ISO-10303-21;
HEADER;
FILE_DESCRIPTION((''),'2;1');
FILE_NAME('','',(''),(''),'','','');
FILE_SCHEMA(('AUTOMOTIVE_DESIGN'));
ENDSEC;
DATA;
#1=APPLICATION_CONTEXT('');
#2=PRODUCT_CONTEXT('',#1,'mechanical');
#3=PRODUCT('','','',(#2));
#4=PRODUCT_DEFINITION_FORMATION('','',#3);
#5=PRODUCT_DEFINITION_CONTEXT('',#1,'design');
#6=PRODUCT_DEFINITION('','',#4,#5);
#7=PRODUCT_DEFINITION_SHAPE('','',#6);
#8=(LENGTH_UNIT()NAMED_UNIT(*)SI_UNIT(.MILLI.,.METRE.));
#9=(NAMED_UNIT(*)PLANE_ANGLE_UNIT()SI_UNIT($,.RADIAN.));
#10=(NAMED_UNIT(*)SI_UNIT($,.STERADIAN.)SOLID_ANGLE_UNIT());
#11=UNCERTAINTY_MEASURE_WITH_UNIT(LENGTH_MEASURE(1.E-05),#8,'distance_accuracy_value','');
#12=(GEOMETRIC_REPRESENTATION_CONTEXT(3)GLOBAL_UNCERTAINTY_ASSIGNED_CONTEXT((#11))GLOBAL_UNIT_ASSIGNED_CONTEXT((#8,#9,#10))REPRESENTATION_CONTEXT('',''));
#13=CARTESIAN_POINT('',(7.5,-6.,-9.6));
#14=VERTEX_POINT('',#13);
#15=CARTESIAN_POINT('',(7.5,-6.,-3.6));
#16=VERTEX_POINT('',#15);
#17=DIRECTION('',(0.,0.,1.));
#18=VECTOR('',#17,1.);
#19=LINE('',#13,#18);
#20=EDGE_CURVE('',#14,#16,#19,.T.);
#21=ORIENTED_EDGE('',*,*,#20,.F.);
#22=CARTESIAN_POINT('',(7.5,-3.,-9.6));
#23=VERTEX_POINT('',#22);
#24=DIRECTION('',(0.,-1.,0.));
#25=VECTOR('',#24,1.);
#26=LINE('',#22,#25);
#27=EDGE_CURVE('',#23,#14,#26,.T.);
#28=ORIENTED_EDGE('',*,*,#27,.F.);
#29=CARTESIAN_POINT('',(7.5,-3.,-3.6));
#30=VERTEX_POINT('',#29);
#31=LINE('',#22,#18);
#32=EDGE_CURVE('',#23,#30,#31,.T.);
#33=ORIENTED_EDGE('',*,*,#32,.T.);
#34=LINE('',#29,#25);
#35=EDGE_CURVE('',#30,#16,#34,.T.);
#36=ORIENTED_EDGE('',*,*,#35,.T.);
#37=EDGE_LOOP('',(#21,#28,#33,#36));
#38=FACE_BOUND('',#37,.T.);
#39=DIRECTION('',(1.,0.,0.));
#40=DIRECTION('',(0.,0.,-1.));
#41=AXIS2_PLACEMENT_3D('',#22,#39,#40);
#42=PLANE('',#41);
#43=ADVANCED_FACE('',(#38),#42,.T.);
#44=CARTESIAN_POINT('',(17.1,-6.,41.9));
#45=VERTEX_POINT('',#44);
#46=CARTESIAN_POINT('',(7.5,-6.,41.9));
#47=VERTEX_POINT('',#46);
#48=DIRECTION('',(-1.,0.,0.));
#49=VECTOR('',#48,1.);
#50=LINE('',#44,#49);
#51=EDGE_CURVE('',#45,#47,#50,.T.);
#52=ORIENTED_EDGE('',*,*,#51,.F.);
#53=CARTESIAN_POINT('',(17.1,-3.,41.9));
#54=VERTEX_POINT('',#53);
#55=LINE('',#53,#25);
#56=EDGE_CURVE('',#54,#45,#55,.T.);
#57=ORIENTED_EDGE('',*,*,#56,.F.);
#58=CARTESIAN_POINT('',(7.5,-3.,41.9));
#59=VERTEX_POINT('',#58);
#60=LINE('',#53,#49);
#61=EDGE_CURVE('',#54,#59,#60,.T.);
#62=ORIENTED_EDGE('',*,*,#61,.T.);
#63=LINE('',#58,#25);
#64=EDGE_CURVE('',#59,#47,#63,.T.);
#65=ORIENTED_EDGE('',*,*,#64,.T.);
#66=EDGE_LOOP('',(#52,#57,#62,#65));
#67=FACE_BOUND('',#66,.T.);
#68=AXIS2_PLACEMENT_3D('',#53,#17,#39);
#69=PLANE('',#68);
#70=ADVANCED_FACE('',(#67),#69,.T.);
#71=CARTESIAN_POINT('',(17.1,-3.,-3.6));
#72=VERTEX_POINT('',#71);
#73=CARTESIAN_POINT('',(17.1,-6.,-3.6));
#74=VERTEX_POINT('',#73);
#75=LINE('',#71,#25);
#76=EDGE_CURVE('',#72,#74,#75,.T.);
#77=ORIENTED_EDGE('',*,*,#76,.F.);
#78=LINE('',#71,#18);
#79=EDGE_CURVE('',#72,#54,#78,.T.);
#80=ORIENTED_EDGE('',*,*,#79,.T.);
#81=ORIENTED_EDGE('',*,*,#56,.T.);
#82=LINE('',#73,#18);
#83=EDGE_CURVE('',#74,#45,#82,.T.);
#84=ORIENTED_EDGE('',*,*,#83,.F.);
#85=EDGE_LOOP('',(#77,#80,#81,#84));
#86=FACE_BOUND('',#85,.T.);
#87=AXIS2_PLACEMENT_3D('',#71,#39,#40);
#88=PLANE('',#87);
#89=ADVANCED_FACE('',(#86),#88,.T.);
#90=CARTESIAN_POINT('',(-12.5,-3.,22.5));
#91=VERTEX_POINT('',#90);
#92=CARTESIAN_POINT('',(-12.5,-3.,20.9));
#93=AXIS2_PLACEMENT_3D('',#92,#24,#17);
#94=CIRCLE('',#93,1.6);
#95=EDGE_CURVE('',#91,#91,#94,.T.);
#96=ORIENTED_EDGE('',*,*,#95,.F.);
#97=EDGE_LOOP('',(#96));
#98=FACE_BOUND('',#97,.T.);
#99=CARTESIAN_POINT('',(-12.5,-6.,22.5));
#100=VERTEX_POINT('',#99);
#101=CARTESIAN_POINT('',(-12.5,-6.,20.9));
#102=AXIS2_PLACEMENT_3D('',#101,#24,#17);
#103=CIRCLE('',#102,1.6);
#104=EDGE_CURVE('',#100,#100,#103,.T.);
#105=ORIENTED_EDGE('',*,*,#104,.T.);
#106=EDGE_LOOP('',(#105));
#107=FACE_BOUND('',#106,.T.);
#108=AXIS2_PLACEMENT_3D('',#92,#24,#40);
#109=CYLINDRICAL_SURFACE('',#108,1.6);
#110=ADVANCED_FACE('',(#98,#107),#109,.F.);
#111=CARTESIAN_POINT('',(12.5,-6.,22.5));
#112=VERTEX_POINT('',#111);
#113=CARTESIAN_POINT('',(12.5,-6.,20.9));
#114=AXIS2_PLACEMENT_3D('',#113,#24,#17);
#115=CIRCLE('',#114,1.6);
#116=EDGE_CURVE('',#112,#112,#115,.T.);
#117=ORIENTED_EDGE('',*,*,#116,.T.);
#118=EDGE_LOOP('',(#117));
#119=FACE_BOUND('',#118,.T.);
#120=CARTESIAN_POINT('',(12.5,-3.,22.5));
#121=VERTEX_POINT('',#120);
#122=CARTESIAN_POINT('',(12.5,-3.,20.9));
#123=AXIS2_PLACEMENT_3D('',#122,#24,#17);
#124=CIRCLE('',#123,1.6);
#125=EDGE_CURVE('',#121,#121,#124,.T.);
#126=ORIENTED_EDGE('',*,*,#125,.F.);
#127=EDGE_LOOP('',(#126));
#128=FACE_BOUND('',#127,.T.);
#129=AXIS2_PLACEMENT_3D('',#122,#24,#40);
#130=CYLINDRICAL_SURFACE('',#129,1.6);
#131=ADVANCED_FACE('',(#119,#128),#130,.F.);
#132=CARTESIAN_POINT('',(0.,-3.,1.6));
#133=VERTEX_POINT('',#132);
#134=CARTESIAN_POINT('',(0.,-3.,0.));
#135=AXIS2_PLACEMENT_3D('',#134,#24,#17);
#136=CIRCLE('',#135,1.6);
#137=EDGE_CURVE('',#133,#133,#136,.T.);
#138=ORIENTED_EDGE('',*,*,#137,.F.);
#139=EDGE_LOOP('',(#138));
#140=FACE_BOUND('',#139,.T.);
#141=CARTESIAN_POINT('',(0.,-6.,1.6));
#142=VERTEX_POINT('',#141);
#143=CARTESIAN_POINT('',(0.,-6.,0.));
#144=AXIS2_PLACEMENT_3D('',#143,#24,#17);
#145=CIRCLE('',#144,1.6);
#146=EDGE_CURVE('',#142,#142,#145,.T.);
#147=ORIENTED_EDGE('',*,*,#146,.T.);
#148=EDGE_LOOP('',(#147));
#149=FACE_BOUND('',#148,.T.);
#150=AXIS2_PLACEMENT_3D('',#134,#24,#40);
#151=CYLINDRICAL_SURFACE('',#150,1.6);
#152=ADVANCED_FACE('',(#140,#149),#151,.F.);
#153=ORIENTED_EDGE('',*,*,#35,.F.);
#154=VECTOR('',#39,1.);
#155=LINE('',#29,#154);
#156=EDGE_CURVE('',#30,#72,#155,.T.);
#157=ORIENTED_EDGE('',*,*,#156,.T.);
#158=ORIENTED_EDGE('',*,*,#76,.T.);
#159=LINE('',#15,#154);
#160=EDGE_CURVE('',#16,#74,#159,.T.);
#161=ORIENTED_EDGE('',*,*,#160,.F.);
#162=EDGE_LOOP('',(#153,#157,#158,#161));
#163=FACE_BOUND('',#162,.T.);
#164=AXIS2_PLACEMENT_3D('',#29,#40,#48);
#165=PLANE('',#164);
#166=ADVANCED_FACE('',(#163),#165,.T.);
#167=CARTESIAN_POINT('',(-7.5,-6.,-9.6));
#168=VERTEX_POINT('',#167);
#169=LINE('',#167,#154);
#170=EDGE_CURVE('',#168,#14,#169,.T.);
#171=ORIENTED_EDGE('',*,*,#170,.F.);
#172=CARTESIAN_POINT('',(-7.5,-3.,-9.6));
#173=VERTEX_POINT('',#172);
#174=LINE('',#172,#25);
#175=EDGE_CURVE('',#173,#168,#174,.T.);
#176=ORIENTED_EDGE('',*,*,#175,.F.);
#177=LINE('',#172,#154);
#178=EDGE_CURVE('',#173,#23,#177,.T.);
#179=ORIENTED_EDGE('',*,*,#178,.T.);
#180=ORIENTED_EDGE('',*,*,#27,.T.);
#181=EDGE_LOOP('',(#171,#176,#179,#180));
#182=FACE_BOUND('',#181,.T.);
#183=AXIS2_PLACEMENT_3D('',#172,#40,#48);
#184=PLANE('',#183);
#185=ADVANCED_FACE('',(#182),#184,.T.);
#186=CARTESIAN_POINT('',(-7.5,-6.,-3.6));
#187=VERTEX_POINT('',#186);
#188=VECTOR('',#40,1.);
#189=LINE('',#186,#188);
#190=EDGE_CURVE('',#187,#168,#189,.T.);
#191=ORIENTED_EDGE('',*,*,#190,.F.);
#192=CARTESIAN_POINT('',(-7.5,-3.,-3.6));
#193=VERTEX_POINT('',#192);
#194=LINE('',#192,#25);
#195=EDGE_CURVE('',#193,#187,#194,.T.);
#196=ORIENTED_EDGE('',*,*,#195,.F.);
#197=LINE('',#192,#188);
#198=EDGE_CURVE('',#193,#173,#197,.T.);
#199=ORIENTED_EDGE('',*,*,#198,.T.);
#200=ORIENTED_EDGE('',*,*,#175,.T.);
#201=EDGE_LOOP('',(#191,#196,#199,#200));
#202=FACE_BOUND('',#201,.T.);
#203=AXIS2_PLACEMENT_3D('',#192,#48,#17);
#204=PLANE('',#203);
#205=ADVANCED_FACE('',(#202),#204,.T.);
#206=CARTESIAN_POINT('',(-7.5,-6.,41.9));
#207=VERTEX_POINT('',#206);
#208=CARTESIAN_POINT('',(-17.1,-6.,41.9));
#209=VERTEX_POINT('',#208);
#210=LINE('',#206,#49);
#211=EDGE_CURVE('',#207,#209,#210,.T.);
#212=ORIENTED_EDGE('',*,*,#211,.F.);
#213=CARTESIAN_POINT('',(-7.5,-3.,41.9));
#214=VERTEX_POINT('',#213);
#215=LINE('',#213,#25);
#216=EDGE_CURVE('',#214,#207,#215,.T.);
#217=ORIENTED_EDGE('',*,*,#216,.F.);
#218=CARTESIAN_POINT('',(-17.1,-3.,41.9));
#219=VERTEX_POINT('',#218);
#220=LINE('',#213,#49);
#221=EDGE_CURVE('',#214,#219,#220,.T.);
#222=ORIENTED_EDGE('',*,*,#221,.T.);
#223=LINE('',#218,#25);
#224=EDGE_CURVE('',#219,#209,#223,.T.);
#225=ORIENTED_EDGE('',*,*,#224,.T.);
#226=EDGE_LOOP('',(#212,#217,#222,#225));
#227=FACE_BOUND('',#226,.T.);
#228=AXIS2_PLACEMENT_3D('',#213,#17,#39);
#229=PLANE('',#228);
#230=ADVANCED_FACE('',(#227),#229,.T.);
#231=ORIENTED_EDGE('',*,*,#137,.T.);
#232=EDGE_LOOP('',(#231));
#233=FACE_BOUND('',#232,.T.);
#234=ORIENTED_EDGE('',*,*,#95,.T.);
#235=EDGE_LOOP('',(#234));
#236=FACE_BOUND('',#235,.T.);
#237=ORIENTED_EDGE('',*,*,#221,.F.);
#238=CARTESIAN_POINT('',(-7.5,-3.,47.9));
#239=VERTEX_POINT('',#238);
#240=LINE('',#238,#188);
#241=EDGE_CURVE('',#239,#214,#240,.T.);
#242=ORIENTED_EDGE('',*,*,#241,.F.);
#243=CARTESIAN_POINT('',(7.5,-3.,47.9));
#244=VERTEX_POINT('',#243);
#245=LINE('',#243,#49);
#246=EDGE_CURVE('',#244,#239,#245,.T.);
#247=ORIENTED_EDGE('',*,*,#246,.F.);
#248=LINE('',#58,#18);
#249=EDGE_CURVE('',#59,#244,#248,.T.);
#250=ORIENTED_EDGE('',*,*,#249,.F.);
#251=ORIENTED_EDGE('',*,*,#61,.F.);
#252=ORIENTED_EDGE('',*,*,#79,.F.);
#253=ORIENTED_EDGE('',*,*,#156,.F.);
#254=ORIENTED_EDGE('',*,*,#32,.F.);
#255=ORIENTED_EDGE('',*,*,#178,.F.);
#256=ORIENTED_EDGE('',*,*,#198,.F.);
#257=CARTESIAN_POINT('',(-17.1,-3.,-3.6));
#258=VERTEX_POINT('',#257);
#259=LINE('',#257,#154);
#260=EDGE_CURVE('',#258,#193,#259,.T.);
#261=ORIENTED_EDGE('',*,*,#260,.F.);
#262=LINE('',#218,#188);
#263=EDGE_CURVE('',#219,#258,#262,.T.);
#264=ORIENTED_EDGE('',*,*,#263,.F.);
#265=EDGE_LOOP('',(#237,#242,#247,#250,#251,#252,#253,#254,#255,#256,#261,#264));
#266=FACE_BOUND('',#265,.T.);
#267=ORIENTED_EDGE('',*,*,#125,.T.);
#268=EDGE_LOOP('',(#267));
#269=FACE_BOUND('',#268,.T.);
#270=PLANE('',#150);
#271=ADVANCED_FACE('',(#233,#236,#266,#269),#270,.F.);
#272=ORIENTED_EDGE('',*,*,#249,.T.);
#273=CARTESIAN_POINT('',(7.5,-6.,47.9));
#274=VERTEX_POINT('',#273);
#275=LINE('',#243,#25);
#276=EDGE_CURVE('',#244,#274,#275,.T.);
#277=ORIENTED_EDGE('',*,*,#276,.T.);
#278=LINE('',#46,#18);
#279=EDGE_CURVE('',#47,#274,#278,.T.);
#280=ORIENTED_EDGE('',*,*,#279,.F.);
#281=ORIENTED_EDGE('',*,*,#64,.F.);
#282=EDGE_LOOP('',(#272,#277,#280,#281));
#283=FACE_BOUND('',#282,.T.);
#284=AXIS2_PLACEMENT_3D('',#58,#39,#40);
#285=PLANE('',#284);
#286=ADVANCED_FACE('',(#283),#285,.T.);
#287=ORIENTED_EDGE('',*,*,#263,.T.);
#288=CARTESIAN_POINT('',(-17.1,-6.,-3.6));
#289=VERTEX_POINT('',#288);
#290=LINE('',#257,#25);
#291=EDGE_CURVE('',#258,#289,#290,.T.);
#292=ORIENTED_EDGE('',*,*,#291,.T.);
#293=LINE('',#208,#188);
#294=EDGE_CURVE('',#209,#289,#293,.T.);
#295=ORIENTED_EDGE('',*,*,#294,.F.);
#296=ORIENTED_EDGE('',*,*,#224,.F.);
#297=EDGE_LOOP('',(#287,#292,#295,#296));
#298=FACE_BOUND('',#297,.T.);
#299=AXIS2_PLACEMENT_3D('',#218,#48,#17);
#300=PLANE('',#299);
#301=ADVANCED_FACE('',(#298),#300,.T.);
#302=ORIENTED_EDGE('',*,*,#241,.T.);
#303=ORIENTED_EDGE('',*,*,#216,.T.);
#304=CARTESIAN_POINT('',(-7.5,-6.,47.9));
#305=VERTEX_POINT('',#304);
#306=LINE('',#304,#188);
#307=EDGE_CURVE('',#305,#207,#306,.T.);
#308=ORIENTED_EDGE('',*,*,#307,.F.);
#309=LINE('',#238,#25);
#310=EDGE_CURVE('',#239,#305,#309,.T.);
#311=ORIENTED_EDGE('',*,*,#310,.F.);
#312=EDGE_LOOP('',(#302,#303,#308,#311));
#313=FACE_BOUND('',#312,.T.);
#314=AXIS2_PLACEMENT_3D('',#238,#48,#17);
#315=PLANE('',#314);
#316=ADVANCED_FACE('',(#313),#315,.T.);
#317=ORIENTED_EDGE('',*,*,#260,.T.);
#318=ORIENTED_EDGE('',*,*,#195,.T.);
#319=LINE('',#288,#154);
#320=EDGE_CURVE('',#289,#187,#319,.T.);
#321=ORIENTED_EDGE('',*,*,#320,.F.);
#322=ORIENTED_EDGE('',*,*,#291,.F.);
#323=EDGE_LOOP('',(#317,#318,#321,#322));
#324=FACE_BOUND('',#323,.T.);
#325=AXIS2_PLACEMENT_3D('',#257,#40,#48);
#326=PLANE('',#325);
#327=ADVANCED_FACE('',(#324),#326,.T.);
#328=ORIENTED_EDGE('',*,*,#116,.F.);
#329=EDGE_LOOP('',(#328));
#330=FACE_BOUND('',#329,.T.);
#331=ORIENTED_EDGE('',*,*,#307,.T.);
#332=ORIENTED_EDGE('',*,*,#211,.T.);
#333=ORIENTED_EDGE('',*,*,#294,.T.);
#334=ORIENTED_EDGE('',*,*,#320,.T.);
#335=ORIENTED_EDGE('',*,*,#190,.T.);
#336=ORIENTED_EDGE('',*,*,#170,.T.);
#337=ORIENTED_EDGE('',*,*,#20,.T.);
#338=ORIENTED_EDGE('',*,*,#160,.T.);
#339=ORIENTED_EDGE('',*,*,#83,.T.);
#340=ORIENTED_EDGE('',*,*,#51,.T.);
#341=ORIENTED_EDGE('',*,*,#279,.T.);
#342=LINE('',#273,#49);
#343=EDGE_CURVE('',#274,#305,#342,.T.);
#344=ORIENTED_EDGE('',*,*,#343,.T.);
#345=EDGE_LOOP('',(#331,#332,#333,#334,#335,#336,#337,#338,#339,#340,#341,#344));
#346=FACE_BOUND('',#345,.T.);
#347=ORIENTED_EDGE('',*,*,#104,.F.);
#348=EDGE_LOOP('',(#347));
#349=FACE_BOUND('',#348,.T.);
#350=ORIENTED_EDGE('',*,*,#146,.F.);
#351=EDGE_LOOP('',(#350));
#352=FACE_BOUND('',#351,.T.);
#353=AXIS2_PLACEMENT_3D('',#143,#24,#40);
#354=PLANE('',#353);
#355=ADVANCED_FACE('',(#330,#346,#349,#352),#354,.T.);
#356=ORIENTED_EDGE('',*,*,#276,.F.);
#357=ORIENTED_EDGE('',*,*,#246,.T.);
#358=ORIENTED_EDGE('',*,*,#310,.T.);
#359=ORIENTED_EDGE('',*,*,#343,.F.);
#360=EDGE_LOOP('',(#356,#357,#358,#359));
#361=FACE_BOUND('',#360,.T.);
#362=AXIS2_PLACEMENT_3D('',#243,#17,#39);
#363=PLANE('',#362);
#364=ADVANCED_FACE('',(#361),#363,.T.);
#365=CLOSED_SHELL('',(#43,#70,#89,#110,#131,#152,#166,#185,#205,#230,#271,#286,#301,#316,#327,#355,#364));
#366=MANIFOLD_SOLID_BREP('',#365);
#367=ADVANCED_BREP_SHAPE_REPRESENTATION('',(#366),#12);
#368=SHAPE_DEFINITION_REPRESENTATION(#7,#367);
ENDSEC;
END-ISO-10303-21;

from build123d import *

# Parameters (mm, degrees)
ESBO_O1_R                = 1.6
RESSALTO_EXTRUS_O1_DEPTH = 3


with BuildPart() as part:
    # Esboço1 → Ressalto-extrusão1 (new body)
    with BuildSketch(Plane.XZ.offset(6)):
        Polygon((17.1, 41.9), (7.5, 41.9), (7.5, 47.9), (-7.5, 47.9), (-7.5, 41.9), (-17.1, 41.9), (-17.1, -3.6), (-7.5, -3.6), (-7.5, -9.6), (7.5, -9.6), (7.5, -3.6), (17.1, -3.6), align=None)
        with Locations((-12.5, 20.9)):
            Circle(ESBO_O1_R, mode=Mode.SUBTRACT)
        Circle(ESBO_O1_R, mode=Mode.SUBTRACT)
        with Locations((12.5, 20.9)):
            Circle(ESBO_O1_R, mode=Mode.SUBTRACT)
    extrude(amount=-RESSALTO_EXTRUS_O1_DEPTH)


solid = part.part
